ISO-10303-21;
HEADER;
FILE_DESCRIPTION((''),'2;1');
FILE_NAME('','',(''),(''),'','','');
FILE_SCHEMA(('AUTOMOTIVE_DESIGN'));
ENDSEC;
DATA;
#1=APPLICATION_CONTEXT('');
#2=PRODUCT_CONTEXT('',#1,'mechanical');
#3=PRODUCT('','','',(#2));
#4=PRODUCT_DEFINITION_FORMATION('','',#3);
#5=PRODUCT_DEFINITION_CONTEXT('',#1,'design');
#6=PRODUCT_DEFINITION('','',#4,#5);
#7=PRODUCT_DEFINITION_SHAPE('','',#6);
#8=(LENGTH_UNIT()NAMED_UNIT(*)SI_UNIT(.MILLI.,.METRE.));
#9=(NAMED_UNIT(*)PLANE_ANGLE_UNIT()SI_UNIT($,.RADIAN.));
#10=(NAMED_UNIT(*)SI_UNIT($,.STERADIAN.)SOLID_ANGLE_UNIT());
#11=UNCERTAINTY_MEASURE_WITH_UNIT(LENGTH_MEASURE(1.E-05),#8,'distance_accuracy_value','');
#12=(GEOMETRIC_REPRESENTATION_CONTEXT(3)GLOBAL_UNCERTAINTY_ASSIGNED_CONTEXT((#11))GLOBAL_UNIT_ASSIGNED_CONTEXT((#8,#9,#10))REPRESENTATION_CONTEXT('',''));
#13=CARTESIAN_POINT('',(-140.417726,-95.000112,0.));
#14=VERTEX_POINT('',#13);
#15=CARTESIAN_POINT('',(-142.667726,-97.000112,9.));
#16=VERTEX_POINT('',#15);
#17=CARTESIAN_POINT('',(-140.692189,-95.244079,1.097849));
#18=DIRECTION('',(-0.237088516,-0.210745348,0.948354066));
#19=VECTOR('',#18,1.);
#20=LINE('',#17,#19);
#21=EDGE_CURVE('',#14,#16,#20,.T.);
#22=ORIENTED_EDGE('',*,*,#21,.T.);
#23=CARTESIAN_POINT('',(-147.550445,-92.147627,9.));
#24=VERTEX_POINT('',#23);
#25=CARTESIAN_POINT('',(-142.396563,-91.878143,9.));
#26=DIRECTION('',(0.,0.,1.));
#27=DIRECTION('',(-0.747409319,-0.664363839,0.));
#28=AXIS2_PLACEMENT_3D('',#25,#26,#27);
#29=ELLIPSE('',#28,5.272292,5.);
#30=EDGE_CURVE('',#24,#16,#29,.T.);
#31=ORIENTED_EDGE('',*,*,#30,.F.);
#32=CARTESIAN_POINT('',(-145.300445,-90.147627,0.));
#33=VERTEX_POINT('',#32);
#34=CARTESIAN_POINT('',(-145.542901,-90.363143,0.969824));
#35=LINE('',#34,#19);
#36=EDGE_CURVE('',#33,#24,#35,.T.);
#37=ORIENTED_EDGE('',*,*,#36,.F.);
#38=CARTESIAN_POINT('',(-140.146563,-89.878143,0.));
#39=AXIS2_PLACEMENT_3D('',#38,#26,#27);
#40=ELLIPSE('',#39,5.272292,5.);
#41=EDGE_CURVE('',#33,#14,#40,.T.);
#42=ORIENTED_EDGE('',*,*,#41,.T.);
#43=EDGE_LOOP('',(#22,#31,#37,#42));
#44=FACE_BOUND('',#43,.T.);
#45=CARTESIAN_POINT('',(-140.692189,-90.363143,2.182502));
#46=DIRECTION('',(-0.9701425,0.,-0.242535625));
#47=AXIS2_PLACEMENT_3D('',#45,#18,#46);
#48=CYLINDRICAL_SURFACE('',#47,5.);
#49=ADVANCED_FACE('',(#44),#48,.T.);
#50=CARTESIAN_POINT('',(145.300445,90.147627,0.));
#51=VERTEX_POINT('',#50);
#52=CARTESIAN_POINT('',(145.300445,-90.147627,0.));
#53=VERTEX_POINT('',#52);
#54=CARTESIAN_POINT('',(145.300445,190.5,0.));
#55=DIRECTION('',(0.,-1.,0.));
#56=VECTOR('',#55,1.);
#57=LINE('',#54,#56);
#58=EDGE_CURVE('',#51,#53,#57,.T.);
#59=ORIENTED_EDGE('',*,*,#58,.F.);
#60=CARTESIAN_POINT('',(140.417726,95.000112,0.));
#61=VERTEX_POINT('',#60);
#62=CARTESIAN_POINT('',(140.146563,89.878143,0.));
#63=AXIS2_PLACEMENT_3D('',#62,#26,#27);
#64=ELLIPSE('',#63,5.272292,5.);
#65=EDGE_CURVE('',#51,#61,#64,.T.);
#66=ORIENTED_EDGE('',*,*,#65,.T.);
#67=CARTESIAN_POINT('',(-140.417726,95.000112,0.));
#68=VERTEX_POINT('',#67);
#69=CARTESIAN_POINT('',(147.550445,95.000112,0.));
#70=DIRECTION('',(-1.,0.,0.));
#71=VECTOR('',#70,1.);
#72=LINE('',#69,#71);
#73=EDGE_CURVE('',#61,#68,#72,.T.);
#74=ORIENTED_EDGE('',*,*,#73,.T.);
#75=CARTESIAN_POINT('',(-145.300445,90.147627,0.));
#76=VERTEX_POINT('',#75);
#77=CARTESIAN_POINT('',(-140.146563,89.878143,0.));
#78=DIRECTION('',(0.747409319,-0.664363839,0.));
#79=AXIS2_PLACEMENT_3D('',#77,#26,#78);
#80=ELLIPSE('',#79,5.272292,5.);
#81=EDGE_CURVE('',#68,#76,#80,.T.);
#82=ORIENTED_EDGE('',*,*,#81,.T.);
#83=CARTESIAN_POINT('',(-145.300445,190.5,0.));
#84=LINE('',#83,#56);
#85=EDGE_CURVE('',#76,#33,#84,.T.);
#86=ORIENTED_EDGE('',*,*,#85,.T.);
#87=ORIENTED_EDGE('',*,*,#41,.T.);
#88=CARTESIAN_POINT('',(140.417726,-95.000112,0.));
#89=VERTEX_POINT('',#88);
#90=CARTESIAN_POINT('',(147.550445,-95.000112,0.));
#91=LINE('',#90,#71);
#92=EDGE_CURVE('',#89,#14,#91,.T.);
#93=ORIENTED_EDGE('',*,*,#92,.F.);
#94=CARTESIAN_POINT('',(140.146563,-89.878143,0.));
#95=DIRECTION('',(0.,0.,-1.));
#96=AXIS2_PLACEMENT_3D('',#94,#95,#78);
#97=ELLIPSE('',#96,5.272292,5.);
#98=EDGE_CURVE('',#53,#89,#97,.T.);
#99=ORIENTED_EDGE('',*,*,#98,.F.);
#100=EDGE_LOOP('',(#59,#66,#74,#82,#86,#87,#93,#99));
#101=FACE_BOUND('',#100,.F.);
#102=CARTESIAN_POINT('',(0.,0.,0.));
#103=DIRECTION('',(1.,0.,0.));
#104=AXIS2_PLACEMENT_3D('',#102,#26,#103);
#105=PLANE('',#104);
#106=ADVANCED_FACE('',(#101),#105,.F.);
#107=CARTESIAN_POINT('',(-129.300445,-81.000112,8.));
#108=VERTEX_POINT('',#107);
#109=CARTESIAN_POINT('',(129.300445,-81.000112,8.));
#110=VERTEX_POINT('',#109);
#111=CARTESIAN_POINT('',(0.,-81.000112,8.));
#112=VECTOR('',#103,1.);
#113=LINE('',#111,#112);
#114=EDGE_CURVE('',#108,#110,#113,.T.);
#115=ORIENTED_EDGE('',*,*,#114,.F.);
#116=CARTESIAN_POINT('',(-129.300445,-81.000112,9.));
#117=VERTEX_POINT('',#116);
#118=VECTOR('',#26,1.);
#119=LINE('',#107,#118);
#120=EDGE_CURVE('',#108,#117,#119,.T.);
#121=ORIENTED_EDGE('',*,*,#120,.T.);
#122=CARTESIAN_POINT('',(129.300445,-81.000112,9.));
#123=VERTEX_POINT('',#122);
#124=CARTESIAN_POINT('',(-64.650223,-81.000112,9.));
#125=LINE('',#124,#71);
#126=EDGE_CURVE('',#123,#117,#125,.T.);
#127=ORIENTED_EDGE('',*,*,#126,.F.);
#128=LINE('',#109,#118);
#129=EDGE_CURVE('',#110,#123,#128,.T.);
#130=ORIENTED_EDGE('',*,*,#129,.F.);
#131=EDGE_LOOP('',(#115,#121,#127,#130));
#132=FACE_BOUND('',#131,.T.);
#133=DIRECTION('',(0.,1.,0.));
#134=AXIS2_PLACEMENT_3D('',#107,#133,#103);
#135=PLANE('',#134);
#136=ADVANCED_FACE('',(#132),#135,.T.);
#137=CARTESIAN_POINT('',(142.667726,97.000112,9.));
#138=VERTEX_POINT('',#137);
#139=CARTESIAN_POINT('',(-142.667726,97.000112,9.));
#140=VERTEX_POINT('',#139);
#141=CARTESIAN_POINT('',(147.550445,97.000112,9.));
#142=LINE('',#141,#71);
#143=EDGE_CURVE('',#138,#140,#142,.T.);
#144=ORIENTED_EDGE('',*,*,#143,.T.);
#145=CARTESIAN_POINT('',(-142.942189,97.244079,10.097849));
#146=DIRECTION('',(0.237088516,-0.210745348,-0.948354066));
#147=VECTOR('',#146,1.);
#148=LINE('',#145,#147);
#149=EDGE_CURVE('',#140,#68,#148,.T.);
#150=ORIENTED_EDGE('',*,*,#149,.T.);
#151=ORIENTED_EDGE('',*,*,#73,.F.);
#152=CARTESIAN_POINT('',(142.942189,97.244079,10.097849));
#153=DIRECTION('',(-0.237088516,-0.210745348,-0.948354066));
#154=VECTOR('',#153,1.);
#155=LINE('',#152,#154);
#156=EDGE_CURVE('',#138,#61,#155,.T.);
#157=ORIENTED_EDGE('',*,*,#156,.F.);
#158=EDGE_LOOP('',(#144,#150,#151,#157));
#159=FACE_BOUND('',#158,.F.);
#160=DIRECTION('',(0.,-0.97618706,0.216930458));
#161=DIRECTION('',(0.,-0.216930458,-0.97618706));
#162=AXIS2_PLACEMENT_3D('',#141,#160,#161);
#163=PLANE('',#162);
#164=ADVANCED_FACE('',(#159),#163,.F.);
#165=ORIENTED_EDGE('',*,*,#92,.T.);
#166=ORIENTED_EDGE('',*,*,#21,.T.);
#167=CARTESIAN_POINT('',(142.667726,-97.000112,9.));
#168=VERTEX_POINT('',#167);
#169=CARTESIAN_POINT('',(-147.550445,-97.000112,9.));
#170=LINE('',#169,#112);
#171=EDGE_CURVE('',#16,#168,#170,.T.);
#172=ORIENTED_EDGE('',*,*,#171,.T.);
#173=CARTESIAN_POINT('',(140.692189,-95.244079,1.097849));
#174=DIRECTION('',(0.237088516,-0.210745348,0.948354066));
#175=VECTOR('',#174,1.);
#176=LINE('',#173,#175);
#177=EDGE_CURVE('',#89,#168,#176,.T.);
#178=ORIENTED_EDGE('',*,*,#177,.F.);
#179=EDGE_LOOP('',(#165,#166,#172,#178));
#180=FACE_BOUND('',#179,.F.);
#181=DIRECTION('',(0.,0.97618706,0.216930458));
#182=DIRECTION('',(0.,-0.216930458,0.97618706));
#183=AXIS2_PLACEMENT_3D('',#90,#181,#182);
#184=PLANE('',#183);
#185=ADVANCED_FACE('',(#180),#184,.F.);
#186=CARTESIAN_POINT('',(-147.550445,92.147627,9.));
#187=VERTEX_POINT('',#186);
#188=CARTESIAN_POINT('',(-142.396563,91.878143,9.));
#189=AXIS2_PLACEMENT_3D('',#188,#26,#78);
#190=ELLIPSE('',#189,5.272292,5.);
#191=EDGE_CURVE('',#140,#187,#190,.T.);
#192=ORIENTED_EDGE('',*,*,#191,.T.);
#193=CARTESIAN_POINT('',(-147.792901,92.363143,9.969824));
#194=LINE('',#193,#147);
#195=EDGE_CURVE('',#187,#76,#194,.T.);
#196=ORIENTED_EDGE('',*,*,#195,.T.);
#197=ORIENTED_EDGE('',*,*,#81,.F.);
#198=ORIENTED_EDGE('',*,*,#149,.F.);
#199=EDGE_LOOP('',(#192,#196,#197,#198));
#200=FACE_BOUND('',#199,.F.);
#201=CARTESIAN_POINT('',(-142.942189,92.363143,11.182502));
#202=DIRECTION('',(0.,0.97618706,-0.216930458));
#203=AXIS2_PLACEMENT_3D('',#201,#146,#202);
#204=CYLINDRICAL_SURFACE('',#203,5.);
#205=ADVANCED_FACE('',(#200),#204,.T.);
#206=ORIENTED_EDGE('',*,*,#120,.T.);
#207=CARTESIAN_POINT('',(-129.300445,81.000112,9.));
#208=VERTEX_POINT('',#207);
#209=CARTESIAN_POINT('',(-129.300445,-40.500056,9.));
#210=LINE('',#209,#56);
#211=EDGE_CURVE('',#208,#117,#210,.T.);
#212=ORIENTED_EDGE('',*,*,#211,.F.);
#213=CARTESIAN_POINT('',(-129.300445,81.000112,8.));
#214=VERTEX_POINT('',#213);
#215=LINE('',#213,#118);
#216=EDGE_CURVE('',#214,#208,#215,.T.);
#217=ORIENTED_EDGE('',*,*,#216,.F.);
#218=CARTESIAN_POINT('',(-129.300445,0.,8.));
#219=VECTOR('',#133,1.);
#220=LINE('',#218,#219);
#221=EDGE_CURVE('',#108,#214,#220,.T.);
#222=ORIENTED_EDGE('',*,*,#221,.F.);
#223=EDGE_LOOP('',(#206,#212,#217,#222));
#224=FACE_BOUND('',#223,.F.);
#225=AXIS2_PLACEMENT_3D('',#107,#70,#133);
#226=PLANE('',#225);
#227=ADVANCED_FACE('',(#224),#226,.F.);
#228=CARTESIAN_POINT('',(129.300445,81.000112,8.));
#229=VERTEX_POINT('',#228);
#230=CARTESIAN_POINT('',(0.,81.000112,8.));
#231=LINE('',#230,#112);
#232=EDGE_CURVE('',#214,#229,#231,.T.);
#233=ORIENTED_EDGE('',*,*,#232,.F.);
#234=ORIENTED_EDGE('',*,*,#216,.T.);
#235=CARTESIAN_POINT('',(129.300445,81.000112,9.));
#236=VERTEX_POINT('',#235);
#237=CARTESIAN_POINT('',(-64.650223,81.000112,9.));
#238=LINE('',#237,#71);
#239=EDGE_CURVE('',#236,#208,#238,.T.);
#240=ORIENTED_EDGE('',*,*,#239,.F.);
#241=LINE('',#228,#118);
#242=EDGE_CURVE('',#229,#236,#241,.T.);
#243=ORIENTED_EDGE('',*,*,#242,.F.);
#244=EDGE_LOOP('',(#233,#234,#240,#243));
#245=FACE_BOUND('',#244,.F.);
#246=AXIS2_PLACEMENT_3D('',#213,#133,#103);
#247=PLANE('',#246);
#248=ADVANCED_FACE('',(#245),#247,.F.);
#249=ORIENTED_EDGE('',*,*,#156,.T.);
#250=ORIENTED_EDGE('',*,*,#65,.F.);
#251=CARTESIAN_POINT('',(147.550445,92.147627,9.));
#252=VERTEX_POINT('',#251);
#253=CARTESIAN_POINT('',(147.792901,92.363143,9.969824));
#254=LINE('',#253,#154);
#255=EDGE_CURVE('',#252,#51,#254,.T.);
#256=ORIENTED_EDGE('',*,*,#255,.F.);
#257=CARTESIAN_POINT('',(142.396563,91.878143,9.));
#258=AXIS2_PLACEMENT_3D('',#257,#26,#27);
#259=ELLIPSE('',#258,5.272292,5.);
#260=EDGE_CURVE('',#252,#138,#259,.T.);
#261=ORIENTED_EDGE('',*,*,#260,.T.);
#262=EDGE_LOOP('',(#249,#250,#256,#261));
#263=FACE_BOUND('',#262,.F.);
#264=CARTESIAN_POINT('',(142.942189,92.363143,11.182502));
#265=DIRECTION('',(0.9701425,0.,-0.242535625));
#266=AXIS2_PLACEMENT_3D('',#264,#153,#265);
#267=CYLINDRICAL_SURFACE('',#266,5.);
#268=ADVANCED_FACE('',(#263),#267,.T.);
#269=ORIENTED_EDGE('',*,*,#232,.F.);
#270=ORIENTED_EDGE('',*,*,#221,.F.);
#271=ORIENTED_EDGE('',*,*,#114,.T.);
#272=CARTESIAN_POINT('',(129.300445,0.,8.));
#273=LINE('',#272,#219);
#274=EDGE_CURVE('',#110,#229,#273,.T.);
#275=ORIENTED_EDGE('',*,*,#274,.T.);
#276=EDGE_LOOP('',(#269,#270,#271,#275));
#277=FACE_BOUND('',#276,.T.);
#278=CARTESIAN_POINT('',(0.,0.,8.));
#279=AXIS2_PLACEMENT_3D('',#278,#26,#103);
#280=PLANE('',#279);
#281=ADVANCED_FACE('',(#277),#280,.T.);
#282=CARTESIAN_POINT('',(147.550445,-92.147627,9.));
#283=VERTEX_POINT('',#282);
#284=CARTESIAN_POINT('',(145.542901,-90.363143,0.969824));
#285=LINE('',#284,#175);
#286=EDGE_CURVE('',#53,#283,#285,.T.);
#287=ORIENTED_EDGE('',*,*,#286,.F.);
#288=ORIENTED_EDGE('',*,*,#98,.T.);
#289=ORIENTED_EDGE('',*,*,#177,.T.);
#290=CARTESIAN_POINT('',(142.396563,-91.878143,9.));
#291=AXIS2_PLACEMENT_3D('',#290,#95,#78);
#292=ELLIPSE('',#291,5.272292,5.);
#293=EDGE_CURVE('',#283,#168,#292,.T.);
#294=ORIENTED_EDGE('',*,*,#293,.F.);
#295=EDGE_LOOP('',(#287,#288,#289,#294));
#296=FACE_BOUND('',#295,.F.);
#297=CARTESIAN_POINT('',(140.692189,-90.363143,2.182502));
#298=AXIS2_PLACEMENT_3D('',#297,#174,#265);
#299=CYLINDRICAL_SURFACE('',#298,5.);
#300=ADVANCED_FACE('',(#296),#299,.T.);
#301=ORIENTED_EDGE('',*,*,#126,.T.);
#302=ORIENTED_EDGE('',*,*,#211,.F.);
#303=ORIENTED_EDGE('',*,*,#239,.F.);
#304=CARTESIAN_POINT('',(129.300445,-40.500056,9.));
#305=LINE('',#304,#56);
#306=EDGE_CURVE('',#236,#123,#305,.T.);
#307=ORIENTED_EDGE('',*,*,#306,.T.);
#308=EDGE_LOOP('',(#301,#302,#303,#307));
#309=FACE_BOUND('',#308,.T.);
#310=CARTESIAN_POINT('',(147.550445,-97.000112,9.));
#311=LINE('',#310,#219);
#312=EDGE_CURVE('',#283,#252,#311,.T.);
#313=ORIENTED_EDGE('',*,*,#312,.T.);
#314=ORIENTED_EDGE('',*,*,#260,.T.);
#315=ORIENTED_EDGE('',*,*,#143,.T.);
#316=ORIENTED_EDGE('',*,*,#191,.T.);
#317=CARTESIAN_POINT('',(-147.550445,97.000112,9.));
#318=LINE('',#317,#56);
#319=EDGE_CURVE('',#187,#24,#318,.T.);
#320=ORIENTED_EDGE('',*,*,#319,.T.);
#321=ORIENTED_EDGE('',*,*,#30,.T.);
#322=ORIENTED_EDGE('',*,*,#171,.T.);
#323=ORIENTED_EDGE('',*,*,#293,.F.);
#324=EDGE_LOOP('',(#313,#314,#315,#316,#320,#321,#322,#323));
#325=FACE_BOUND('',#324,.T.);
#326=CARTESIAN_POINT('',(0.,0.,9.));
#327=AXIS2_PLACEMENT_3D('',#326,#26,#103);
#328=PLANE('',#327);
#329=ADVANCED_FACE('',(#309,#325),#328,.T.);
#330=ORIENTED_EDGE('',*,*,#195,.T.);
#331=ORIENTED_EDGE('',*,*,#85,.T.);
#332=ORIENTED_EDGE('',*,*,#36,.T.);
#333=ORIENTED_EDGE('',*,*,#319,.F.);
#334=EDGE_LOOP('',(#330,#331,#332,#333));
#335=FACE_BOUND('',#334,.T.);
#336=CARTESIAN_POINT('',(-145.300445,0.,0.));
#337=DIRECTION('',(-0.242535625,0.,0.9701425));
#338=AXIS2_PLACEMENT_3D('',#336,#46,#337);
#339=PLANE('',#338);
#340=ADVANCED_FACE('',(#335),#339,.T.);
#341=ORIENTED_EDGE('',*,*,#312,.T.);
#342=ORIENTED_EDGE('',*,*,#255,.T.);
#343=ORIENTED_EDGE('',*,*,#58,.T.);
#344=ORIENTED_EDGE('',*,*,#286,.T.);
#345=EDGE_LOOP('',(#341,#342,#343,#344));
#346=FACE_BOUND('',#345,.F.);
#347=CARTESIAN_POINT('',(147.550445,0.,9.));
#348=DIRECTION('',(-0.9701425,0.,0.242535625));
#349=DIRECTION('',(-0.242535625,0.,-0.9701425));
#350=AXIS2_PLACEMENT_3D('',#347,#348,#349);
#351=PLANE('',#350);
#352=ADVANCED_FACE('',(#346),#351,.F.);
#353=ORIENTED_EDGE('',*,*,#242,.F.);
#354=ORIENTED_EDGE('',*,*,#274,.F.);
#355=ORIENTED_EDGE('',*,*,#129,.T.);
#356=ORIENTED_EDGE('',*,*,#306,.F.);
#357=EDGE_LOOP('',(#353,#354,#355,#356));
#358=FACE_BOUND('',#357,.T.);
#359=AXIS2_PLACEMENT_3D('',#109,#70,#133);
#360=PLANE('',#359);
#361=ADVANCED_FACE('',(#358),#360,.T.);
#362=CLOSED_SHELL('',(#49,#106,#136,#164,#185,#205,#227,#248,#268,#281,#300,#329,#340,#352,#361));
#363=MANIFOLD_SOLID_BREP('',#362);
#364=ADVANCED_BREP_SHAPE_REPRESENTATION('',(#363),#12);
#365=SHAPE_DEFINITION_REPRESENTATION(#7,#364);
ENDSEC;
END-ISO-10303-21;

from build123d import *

# Parameters (mm, degrees)
F0_W     = 258.6008906364
F0_H     = 162.0002239943
F1_DEPTH = 9
F3_DEPTH = 330.2
F5_DEPTH = 190.5
F6_R     = 5
F7_START = 8
F7_DEPTH = 2


with BuildPart() as f1:
    # F0 (on Top) → F1 (new body)
    with BuildSketch(Plane.XY):
        Polygon((-141, -97.0001119971), (141, -97.0001119971), (147.5504453182, -97.0001119971), (147.5504453182, -92.0001119971), (147.5504453182, 97.0001119971), (141, 97.0001119971), (-141, 97.0001119971), (-147.5504453182, 97.0001119971), (-147.5504453182, -92.0001119971), (-147.5504453182, -97.0001119971), align=None)
        Polygon((145.3004453182, -95.0001119971), (138.75, -95.0001119971), (-138.75, -95.0001119971), (-145.3004453182, -95.0001119971), (-145.3004453182, -90.0001119971), (-145.3004453182, 95.0001119971), (-138.75, 95.0001119971), (138.75, 95.0001119971), (145.3004453182, 95.0001119971), (145.3004453182, -90.0001119971), align=None, mode=Mode.SUBTRACT)
        Polygon((-138.75, -95.0001119971), (138.75, -95.0001119971), (145.3004453182, -95.0001119971), (145.3004453182, -90.0001119971), (145.3004453182, 95.0001119971), (138.75, 95.0001119971), (-138.75, 95.0001119971), (-145.3004453182, 95.0001119971), (-145.3004453182, -90.0001119971), (-145.3004453182, -95.0001119971), align=None)
        Rectangle(F0_W, F0_H, mode=Mode.SUBTRACT)
        Rectangle(F0_W, F0_H)
    extrude(amount=F1_DEPTH)

    # F2 (on face) → F3 (cut)
    with BuildSketch(Plane.YZ.offset(147.5504453182)):
        Polygon((97.0001119971, 9), (95.0001119971, 0), (97.0001119971, 0), align=None)
        Polygon((-97.0001119971, 0), (-95.0001119971, 0), (-97.0001119971, 9), align=None)
    extrude(amount=-F3_DEPTH, mode=Mode.SUBTRACT)

    # F4 (on Front) → F5 (cut, symmetric)
    with BuildSketch(Plane.XZ):
        Polygon((-147.5504453182, 0), (-145.3004453182, 0), (-147.5504453182, 9), align=None)
        Polygon((147.5504453182, 9), (145.3004453182, 0), (147.5504453182, 0), align=None)
    extrude(amount=F5_DEPTH, both=True, mode=Mode.SUBTRACT)

    # F6
    f6_edges = [f1.edges().sort_by_distance(p)[0] for p in [
        (146.425445, -96.000112, 4.5),
        (-146.425445, -96.000112, 4.5),
        (146.425445, 96.000112, 4.5),
        (-146.425445, 96.000112, 4.5),
    ]]
    fillet(f6_edges, radius=F6_R)

    # F0 (on Top) → F7 (cut)
    with BuildSketch(Plane.XY.offset(F7_START)):
        Rectangle(F0_W, F0_H)
    extrude(amount=F7_DEPTH, mode=Mode.SUBTRACT)


solid = f1.part
